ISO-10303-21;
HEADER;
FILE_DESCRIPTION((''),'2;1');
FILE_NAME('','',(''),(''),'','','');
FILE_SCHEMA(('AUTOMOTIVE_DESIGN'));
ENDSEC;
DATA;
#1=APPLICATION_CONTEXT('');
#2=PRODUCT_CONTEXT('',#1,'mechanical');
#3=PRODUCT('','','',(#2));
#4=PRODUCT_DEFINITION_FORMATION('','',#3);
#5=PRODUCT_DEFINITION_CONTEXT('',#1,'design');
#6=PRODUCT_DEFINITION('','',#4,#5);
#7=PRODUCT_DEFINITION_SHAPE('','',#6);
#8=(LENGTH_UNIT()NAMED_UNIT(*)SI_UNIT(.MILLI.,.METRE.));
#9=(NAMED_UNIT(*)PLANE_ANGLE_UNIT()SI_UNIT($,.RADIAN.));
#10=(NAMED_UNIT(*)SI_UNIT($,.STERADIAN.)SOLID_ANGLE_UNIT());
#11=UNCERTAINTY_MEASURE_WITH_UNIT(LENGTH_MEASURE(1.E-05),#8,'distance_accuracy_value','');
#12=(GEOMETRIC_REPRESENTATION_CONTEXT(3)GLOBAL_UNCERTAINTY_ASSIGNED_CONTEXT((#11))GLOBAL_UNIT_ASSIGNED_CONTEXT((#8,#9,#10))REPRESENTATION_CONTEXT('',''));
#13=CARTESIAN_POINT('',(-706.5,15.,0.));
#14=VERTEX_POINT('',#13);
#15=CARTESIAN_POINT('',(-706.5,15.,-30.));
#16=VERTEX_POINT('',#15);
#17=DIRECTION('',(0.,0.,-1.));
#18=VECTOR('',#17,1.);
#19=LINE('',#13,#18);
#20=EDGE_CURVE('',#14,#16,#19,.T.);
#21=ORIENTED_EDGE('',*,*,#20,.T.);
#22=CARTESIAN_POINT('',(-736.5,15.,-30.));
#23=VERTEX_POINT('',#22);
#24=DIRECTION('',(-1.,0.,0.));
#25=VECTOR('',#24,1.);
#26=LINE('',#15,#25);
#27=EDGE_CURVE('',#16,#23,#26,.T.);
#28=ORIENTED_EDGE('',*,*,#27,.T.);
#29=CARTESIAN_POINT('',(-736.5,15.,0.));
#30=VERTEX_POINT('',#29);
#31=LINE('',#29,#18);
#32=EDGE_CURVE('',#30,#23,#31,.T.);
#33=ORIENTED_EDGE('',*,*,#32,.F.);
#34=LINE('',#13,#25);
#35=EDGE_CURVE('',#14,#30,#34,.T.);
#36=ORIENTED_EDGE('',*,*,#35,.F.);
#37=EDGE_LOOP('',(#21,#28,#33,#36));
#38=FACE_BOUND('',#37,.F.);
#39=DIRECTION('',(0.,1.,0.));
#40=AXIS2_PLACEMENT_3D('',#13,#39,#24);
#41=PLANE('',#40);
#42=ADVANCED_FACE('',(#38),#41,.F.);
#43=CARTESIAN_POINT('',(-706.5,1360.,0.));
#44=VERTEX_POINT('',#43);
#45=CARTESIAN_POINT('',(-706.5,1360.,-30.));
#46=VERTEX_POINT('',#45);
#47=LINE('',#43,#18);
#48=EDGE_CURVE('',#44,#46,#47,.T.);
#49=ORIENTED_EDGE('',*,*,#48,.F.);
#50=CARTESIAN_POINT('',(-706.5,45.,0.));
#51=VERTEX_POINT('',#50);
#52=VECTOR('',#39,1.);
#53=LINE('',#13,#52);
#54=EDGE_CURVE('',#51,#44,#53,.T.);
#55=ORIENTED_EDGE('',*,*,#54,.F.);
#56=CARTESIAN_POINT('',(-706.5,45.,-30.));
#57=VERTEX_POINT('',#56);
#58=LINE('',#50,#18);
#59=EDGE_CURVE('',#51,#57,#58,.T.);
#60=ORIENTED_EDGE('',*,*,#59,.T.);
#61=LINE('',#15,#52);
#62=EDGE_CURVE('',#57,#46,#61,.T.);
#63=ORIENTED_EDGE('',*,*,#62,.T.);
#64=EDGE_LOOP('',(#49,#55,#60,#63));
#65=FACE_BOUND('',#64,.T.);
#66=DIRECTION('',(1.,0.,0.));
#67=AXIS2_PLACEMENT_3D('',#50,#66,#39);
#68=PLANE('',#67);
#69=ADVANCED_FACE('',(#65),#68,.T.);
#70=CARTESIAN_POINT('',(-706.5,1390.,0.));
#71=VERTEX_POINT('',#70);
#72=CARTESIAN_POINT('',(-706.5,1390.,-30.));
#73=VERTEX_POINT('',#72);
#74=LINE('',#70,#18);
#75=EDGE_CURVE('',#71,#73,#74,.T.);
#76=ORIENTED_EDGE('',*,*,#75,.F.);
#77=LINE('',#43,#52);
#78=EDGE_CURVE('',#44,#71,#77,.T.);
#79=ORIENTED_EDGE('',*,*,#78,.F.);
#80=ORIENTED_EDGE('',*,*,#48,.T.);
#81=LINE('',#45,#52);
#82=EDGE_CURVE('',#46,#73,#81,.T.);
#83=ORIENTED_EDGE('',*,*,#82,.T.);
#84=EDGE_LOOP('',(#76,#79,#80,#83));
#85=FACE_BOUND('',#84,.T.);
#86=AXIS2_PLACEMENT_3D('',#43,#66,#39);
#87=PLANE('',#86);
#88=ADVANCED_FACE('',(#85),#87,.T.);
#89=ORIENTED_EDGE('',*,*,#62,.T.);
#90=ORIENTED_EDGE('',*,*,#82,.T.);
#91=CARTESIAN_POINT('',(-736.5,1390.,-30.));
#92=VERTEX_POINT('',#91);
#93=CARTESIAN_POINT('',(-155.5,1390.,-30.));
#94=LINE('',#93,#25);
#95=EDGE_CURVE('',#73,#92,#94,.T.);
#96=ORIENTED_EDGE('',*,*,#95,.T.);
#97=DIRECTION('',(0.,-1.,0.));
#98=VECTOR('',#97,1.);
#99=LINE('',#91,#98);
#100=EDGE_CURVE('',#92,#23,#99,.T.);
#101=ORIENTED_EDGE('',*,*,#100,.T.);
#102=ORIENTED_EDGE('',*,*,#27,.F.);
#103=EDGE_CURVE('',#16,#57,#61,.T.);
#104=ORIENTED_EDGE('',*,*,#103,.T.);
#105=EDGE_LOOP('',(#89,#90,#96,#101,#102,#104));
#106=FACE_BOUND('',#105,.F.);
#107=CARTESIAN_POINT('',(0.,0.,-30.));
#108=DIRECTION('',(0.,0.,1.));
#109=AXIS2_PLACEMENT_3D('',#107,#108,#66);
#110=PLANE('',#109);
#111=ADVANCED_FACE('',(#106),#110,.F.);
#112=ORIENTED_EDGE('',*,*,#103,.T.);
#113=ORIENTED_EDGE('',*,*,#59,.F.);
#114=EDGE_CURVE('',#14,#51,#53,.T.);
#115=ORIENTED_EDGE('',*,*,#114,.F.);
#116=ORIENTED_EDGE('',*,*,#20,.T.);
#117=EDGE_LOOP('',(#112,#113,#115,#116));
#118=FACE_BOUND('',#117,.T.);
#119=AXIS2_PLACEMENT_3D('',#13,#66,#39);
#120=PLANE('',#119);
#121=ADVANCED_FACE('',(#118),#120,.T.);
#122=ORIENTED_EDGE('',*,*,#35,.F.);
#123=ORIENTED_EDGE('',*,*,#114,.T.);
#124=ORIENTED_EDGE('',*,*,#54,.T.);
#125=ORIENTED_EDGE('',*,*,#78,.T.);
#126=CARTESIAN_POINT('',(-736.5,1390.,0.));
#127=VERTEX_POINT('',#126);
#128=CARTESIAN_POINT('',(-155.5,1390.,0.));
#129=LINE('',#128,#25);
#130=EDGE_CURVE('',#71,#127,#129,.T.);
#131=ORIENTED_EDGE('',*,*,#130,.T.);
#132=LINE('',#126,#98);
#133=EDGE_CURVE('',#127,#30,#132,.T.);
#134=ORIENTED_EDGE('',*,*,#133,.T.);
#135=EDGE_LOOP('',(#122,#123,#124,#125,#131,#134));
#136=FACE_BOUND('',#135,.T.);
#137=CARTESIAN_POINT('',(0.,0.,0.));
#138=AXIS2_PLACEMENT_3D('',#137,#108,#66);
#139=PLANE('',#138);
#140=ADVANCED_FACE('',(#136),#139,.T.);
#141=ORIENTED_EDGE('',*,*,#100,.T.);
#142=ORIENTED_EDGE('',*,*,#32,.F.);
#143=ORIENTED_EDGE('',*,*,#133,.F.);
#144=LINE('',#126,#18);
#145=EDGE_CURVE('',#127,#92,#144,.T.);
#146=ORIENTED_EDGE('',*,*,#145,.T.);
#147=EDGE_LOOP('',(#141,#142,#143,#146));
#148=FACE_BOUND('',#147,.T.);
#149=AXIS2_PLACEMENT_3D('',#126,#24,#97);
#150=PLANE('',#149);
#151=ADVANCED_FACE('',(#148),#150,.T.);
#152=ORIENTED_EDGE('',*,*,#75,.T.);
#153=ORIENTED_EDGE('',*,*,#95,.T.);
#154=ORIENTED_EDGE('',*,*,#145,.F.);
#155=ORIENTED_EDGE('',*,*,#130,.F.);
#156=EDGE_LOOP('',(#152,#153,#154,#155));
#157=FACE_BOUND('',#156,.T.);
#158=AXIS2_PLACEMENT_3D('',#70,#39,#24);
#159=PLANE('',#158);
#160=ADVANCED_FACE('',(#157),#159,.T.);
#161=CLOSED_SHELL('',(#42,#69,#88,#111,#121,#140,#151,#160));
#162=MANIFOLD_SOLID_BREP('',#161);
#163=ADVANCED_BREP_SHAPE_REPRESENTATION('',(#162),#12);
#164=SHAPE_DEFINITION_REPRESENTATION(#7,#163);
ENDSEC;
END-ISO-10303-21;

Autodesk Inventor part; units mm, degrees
ref_plane "YZ Plane" through (0, 0, 0) normal (1, 0, 0) x (0, 1, 0)
ref_plane "XZ Plane" through (0, 0, 0) normal (0, 1, 0) x (-1, 0, 0)
ref_plane "XY Plane" through (0, 0, 0) normal (0, 0, 1) x (1, 0, 0)
ref_plane "Plano de trabajo1" through (0, 0, 0) normal (0, 0, 1) x (1, 0, 0)
sketch "Boceto1" plane through (0, 0, 0) normal (0, 0, 1) x (1, 0, 0)
  line L0 (-706.5, 15) -> (-706.5, 1360) projected
  line L1 (-706.5, 1360) -> (-185.5, 1360) projected
  line L2 (-185.5, 1360) -> (-185.5, 15) projected
  line L3 (-185.5, 15) -> (-706.5, 15) projected
  line L4 (692.5, -15) -> (692.5, -536) projected
  line L5 (692.5, -536) -> (-706.5, -536) projected
  line L6 (-706.5, -536) -> (-706.5, -15) projected
  line L7 (-706.5, -15) -> (692.5, -15) projected
  line L8 (722.5, -566) -> (722.5, 15) projected
  line L9 (722.5, 15) -> (-155.5, 15) projected
  line L10 (-155.5, 15) -> (-155.5, 1390) projected
  line L11 (-155.5, 1390) -> (-736.5, 1390) projected
  line L12 (-736.5, 1390) -> (-736.5, -566) projected
  line L13 (-736.5, -566) -> (722.5, -566) projected
  line L14 (-706.5, 15) -> (-706.5, 45)
  line L15 (-706.5, 45) -> (-185.5, 45)
  line L16 (-185.5, 15) -> (-155.5, 15)
  line L17 (-706.5, 15) -> (-736.5, 15)
  line L18 (-706.5, 1360) -> (-706.5, 1390)
  point P0 (0, 0)
  dimension "d0" = 30
extrude "Extrusión1" add sketch "Boceto1" against normal blind 30 contours L17 L12 L11 L18 L0
properties part number "BarraMarco1.2"
